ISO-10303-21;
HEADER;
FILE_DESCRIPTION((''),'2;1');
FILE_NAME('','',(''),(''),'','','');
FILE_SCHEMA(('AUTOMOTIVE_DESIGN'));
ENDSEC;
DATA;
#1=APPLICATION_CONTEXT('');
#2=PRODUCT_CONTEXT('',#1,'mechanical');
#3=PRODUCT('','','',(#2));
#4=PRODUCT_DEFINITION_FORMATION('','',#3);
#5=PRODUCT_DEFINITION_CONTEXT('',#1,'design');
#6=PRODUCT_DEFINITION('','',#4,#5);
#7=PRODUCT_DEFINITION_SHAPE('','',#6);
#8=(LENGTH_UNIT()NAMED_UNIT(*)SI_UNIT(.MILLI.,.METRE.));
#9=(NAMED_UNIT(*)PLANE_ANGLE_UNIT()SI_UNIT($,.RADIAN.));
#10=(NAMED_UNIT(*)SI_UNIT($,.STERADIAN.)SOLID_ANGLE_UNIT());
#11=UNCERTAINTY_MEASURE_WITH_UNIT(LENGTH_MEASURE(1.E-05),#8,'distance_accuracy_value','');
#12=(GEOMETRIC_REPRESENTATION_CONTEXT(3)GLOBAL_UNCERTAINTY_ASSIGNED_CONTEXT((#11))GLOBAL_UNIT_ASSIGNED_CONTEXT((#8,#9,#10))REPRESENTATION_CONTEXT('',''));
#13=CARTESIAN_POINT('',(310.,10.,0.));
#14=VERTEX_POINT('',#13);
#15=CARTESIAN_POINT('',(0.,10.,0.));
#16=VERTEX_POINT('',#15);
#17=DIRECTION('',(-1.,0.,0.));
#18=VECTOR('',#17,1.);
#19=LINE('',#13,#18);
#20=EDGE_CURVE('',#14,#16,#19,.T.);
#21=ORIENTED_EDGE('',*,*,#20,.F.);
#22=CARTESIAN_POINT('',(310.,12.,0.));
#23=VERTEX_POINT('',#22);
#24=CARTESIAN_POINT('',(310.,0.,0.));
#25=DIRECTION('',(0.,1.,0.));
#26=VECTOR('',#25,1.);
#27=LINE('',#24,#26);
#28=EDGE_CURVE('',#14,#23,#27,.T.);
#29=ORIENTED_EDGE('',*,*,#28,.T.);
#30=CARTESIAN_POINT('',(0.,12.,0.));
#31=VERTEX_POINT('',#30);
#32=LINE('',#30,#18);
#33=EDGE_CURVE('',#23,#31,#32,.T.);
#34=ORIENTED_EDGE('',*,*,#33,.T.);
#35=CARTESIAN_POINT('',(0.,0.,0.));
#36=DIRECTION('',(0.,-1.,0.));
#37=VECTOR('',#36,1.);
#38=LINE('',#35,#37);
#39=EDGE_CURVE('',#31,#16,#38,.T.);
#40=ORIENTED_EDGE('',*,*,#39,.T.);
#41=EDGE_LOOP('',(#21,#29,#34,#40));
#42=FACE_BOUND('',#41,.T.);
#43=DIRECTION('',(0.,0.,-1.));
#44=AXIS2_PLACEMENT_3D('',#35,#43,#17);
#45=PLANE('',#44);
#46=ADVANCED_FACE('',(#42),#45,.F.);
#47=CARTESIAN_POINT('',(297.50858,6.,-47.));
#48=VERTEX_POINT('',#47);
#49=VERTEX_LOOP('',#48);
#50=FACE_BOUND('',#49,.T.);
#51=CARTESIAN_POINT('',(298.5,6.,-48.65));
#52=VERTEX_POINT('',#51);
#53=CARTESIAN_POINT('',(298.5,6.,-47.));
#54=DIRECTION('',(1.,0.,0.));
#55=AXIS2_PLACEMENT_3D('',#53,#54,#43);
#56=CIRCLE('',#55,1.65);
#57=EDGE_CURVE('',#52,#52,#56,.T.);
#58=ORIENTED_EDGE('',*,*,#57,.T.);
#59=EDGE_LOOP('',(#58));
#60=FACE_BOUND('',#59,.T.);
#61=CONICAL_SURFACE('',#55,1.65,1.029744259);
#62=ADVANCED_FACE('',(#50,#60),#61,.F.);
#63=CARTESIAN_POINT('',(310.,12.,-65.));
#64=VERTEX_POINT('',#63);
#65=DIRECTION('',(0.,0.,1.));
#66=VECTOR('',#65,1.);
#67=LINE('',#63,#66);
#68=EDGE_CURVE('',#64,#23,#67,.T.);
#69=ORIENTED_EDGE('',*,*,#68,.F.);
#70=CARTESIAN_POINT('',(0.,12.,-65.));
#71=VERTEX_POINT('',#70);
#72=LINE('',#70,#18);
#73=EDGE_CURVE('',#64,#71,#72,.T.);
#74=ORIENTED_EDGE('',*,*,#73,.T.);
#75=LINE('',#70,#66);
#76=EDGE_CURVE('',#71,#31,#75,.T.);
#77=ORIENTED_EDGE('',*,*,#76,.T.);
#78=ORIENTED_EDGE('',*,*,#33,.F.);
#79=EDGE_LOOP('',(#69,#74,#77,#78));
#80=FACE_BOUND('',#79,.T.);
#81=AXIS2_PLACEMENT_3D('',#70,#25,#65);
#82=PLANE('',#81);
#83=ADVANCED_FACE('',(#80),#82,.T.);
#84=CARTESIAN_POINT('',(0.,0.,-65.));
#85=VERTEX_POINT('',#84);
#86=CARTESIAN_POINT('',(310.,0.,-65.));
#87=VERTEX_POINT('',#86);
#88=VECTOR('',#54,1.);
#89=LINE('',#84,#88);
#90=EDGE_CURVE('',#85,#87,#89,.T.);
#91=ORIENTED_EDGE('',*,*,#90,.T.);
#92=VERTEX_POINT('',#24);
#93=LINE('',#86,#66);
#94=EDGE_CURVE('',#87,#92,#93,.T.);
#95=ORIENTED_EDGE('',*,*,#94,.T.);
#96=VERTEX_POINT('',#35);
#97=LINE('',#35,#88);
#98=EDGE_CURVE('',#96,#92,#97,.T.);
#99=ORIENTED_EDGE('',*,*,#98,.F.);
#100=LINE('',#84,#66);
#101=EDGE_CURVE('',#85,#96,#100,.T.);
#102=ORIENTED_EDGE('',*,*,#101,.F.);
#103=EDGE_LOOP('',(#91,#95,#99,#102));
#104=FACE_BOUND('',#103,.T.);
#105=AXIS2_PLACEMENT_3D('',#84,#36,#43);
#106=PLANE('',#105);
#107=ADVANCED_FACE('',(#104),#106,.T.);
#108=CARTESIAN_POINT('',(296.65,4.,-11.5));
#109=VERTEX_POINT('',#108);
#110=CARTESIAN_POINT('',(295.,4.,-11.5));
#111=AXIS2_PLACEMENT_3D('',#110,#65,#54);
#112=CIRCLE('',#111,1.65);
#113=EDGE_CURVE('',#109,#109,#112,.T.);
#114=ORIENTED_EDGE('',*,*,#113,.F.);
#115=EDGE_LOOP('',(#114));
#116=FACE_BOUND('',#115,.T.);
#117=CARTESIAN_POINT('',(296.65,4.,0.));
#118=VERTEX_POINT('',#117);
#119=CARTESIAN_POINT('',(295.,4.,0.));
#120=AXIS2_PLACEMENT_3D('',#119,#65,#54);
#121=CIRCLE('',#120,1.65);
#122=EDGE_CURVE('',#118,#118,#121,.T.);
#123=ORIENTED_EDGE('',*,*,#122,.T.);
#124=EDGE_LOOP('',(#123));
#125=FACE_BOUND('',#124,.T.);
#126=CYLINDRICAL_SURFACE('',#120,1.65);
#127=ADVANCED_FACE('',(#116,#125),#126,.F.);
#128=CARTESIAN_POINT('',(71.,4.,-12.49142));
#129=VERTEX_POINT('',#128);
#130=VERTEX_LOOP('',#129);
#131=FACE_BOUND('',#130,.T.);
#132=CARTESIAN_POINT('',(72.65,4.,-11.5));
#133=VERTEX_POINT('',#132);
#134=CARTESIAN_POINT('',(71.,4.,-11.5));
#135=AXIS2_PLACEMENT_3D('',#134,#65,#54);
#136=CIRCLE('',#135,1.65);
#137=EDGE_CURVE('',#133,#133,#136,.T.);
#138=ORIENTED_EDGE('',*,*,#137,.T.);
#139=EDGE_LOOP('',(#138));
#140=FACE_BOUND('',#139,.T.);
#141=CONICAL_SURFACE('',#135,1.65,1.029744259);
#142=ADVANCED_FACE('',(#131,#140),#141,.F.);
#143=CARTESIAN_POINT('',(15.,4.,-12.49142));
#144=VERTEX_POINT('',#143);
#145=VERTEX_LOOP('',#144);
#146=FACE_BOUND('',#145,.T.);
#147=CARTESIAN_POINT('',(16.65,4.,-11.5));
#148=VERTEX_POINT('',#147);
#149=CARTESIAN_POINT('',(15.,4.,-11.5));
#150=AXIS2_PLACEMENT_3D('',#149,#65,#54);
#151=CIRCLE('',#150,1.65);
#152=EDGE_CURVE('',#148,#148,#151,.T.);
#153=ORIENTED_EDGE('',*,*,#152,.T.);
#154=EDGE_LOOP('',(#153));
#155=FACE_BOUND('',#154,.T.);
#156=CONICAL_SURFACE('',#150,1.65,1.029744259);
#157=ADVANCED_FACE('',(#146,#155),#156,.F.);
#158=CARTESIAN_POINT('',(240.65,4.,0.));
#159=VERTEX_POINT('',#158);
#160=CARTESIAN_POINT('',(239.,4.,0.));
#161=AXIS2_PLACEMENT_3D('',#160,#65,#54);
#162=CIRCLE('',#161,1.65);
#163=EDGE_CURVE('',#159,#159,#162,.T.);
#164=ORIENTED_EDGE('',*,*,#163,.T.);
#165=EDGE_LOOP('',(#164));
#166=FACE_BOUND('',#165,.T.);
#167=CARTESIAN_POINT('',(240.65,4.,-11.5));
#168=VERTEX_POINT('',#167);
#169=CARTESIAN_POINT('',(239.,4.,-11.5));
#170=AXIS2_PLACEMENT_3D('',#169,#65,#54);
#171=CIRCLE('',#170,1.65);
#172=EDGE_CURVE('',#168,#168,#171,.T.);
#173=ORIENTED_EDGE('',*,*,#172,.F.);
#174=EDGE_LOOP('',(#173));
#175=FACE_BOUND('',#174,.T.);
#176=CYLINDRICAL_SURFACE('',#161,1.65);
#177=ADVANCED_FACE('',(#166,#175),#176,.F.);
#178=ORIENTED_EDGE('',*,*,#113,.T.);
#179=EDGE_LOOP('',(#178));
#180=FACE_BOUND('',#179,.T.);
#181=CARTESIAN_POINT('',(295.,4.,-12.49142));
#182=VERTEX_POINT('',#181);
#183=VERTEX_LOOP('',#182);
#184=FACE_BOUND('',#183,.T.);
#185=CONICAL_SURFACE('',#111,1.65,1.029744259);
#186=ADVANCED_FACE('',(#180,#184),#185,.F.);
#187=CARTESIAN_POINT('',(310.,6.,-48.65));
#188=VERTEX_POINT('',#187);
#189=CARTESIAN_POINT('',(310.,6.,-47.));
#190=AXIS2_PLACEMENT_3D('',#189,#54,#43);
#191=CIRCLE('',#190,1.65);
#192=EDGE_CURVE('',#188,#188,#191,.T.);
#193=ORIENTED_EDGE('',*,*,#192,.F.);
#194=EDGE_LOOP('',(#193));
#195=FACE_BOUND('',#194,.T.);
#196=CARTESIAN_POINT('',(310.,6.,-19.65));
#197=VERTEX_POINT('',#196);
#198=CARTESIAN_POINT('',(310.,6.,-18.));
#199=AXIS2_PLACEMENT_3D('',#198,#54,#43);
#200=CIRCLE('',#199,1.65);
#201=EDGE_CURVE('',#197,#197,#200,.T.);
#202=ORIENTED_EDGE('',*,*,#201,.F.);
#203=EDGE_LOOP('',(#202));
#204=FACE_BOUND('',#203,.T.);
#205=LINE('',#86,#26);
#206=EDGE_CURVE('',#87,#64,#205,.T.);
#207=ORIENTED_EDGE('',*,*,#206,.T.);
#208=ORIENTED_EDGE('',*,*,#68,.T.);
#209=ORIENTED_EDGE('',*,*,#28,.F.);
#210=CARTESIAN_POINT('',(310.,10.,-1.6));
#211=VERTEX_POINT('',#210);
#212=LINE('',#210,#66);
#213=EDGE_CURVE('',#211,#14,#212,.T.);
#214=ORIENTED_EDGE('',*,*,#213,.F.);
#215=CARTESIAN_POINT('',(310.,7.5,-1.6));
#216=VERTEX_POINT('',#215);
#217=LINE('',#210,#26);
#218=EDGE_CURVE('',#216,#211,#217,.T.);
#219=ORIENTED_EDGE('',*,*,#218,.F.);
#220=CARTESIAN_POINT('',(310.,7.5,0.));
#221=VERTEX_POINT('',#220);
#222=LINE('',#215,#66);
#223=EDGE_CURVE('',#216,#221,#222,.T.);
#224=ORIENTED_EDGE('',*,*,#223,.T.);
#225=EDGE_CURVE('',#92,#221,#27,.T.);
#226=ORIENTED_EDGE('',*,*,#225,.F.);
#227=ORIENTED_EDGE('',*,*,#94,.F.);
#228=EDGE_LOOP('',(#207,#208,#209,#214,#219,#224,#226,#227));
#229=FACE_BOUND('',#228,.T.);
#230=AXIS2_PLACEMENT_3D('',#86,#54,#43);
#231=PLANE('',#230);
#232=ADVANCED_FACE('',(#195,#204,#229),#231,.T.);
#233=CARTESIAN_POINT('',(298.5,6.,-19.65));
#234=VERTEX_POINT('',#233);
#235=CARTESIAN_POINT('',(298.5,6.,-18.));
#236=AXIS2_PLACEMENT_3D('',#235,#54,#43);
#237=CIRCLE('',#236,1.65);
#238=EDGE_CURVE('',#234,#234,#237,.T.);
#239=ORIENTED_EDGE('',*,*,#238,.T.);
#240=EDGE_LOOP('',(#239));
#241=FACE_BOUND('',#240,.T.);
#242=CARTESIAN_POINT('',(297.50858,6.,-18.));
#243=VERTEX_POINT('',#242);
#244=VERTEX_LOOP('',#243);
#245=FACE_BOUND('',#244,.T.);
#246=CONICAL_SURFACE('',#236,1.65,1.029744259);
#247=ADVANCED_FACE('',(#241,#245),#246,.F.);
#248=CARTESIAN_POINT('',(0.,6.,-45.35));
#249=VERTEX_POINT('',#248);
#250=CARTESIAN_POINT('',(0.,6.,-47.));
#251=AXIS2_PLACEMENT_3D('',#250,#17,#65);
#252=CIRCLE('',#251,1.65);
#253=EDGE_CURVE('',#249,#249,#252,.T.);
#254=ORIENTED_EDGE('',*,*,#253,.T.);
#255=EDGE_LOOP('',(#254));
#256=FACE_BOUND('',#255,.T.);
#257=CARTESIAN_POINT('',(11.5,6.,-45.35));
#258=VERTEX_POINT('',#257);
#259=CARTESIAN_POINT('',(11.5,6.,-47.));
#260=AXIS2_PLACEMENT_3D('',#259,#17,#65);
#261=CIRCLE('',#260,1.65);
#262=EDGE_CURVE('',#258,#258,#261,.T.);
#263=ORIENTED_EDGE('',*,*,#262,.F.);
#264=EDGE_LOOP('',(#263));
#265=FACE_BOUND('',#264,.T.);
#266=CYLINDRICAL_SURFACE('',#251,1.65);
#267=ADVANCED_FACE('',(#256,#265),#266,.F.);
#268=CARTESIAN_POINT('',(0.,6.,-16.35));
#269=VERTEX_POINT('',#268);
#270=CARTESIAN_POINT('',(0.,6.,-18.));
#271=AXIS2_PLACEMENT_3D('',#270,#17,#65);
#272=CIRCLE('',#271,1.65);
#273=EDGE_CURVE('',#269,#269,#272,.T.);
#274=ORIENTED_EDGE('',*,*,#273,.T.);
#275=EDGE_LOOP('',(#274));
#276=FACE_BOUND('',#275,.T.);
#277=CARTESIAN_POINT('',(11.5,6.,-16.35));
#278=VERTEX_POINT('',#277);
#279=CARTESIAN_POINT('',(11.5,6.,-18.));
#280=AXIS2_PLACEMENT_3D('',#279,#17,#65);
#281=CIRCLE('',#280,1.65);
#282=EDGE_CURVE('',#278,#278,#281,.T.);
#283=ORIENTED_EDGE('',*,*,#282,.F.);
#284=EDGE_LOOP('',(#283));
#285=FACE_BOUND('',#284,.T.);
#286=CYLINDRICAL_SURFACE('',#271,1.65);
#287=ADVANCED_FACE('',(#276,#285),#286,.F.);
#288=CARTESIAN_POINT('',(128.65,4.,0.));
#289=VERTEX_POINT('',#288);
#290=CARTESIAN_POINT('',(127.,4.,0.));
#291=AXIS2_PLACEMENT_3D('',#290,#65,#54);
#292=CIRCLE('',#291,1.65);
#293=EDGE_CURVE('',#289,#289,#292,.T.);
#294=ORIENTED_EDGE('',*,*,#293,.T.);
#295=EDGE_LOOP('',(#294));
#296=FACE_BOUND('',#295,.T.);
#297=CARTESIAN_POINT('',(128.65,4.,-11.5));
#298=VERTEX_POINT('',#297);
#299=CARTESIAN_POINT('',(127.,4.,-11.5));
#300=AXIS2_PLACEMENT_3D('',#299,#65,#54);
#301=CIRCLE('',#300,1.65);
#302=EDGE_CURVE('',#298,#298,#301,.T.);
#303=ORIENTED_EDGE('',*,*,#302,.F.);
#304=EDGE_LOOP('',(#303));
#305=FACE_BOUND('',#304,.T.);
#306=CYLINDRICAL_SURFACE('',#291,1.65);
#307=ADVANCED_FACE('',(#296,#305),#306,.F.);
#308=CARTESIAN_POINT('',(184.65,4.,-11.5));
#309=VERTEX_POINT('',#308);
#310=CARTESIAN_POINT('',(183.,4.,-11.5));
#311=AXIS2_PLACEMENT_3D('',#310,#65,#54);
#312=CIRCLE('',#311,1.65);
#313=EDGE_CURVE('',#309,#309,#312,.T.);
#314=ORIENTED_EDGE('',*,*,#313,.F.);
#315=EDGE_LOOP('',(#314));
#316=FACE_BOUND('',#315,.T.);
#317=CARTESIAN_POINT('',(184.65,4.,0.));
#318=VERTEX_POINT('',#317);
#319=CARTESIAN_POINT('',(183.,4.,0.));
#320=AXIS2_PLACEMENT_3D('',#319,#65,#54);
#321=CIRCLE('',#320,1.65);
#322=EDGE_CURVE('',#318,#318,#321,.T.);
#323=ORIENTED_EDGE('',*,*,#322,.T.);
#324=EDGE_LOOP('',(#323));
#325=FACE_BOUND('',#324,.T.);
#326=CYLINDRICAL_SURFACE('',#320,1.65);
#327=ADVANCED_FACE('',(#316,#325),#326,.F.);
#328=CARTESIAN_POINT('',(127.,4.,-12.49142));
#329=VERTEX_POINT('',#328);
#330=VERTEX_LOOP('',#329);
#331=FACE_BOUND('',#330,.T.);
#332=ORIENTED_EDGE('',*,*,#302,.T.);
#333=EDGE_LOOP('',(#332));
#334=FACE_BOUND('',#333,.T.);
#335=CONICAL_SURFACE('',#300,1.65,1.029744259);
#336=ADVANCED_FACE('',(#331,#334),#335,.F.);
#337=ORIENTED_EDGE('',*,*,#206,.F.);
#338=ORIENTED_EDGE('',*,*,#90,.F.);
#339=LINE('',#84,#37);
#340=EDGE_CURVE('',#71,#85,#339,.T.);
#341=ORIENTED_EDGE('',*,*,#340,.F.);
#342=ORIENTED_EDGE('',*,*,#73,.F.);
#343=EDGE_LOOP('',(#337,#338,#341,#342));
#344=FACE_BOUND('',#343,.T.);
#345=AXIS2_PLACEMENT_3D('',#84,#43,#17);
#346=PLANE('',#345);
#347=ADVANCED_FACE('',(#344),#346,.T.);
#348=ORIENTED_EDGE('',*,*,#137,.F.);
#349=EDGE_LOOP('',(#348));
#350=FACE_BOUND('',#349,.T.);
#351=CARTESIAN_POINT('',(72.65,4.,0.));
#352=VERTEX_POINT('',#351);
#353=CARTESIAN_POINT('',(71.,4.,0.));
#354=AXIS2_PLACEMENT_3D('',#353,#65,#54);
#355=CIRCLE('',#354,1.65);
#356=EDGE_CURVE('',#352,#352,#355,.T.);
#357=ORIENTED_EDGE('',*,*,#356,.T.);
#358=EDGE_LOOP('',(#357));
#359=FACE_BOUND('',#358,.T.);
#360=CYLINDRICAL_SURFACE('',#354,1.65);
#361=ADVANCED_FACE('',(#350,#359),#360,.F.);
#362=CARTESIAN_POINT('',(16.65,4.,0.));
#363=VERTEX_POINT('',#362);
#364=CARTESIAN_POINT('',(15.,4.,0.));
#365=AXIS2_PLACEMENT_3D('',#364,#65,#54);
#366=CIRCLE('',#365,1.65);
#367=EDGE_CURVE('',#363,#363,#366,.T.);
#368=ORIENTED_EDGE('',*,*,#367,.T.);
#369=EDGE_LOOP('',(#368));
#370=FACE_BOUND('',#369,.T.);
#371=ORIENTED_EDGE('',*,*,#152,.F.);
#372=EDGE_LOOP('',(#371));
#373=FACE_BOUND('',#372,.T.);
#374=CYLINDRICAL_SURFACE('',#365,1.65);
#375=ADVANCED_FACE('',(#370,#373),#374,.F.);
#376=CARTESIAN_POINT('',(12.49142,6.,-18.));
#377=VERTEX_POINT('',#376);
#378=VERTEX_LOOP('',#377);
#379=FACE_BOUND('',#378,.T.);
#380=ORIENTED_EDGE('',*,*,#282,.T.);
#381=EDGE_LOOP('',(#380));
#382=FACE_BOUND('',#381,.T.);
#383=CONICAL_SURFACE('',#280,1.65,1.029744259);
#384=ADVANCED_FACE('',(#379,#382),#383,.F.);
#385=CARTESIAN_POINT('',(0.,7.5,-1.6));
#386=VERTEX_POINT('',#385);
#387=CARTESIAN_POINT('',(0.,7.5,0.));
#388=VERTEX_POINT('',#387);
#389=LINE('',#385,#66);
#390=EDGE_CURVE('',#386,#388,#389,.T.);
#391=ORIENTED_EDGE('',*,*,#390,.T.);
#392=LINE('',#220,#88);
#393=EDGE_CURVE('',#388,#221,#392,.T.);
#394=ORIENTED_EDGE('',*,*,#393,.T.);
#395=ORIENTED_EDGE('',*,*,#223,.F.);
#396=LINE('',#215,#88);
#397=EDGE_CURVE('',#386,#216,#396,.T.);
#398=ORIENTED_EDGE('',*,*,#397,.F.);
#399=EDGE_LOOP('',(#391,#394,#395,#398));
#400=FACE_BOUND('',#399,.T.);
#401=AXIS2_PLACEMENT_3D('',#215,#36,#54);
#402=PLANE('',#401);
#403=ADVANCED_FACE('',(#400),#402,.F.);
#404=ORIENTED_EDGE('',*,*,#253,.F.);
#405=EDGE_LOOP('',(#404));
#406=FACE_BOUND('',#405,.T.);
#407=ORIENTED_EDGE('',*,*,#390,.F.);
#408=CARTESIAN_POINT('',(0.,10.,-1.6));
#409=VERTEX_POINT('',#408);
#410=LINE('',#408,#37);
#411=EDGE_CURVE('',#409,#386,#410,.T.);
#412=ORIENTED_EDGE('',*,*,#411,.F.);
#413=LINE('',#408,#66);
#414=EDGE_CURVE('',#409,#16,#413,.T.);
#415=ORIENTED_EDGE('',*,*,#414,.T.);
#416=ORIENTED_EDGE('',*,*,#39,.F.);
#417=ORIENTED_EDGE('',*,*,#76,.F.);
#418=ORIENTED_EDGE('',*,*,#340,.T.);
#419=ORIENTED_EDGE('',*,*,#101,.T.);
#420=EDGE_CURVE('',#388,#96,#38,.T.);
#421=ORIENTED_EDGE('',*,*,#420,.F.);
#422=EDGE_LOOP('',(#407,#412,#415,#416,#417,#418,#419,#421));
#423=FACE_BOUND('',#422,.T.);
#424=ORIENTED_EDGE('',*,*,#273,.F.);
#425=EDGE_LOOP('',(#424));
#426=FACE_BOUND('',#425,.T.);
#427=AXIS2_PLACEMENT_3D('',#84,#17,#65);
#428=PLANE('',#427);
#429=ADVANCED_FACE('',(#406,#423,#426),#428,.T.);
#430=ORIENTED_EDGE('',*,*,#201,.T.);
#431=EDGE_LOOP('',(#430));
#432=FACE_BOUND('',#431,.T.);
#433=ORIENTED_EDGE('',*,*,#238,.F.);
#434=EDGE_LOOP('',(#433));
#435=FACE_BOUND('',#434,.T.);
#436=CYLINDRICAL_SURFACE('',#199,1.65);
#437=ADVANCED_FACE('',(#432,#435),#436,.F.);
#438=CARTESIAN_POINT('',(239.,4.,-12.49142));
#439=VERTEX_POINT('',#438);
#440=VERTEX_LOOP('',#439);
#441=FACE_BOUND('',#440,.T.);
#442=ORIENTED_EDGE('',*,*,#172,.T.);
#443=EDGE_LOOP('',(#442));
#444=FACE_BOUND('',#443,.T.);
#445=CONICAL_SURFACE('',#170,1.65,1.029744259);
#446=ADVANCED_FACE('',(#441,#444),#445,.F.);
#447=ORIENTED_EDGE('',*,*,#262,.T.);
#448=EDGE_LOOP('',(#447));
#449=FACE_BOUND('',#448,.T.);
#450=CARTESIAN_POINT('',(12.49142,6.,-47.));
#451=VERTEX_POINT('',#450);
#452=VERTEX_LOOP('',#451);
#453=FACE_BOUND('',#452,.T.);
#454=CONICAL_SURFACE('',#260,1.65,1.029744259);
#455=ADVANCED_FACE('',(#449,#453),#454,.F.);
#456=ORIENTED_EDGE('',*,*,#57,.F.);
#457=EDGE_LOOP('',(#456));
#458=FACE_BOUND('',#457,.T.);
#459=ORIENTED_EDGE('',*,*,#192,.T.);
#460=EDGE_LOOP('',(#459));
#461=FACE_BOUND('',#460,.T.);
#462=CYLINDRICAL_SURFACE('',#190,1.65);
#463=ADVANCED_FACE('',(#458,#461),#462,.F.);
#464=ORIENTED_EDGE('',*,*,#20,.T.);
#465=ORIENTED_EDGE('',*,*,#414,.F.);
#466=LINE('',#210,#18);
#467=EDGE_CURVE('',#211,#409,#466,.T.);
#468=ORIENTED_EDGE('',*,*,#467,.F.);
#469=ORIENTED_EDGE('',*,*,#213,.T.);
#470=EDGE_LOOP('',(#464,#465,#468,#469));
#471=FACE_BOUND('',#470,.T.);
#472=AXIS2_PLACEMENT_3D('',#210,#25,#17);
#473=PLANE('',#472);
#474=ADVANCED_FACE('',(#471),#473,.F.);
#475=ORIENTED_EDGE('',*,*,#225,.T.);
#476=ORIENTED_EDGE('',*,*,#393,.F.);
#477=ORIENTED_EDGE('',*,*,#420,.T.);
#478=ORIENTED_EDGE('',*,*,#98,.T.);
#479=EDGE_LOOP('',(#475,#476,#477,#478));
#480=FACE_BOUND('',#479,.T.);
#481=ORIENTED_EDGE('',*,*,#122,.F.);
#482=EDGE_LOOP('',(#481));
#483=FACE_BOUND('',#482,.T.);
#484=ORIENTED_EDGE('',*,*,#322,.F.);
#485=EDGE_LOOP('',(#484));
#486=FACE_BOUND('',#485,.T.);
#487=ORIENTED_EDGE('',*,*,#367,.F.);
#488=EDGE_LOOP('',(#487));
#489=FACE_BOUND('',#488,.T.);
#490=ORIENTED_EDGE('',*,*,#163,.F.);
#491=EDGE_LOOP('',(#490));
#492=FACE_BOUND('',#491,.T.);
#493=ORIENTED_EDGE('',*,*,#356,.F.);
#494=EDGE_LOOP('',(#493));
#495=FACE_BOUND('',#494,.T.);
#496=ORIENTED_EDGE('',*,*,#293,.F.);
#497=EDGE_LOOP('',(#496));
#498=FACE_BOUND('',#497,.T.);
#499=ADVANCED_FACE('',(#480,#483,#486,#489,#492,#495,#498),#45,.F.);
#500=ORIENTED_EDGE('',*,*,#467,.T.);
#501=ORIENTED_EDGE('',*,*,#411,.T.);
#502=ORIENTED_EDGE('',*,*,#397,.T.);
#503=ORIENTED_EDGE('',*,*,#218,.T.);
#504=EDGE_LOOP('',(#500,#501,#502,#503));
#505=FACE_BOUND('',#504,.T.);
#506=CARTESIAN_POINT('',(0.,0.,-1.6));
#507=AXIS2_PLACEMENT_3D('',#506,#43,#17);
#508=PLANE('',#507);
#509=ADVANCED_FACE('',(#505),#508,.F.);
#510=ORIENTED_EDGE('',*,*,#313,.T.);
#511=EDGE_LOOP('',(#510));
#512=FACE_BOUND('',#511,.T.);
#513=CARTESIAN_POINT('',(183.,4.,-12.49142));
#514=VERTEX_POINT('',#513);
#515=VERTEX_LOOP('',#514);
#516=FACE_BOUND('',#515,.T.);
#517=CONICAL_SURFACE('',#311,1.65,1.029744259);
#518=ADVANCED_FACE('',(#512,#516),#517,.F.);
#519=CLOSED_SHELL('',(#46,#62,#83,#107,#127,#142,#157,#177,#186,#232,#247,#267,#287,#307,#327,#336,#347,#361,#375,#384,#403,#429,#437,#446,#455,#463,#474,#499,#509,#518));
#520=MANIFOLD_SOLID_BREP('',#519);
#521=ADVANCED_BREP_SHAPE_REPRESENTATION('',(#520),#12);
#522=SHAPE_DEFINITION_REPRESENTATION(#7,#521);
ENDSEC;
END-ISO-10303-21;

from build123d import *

# Parameters (mm, degrees)
SKIZZE1_W                       = 310
SKIZZE1_H                       = 12
AUFSATZ_LINEAR_AUSTRAGEN1_DEPTH = 65
SKIZZE2_W                       = 310
SKIZZE2_H                       = 2.5
SCHNITT_LINEAR_AUSTRAGEN1_DEPTH = 1.6
M4_GEWINDEBOHRUNG1_D            = 3.3
M4_GEWINDEBOHRUNG1_DEPTH        = 11.5
M4_GEWINDEBOHRUNG1_TIP          = 0.991420021
M4_GEWINDEBOHRUNG2_AT_2_COUNT   = 2
M4_GEWINDEBOHRUNG2_AT_2_PITCH   = 29


with BuildPart() as part:
    # Skizze1 → Aufsatz-Linear austragen1 (new body)
    with BuildSketch(Plane.XY):
        with Locations((155, 6)):
            Rectangle(SKIZZE1_W, SKIZZE1_H)
    extrude(amount=-AUFSATZ_LINEAR_AUSTRAGEN1_DEPTH)

    # Skizze2 → Schnitt-Linear austragen1 (cut)
    with BuildSketch(Plane.XY):
        with Locations((155, 8.75)):
            Rectangle(SKIZZE2_W, SKIZZE2_H)
    extrude(amount=-SCHNITT_LINEAR_AUSTRAGEN1_DEPTH, mode=Mode.SUBTRACT)

    # M4 Gewindebohrung1
    with Locations(Plane(origin=(295, 4, 0), x_dir=(1, 0, 0), z_dir=(0, 0, 1))):
        with Locations((0, 0), (-280, 0), (-224, 0), (-168, 0), (-112, 0), (-56, 0)):
            Hole(M4_GEWINDEBOHRUNG1_D / 2, depth=M4_GEWINDEBOHRUNG1_DEPTH)
            with Locations((0, 0, -(M4_GEWINDEBOHRUNG1_DEPTH + M4_GEWINDEBOHRUNG1_TIP / 2))):  # 118° drill point
                Cone(0, M4_GEWINDEBOHRUNG1_D / 2, M4_GEWINDEBOHRUNG1_TIP, mode=Mode.SUBTRACT)

    # Skizze4 → M4 Gewindebohrung2 (revolve, cut)
    with BuildSketch(Plane(origin=(0, 6, -18), x_dir=(0, 0, 1), z_dir=(0, 1, 0))):
        Polygon((0, 0), (0, 12.491420021), (1.65, 11.5), (1.65, 0), align=None)
    m4_gewindebohrung2 = revolve(axis=Axis((-6.35, 6, -18), (1, 0, 0)), mode=Mode.SUBTRACT)

    # M4 Gewindebohrung2 at 2: M4 Gewindebohrung2 ×2
    with Locations(*[(0, 0, -i * M4_GEWINDEBOHRUNG2_AT_2_PITCH) for i in range(1, M4_GEWINDEBOHRUNG2_AT_2_COUNT)]):
        add(m4_gewindebohrung2, mode=Mode.SUBTRACT)

    # Spiegeln2: M4 Gewindebohrung2 across plane
    add(m4_gewindebohrung2.mirror(Plane(origin=(155, 0, 0), x_dir=(0, 0, 1), z_dir=(1, 0, 0))), mode=Mode.SUBTRACT)

    # Spiegeln2 copy 1 sketch → Spiegeln2 copy 1 (revolve, cut)
    with BuildSketch(Plane(origin=(310, 6, -47), x_dir=(0, 0, 1), z_dir=(0, 1, 0))):
        Polygon((0, 0), (0, -12.491420021), (1.65, -11.5), (1.65, 0), align=None)
    revolve(axis=Axis((316.35, 6, -47), (1, 0, 0)), mode=Mode.SUBTRACT)


solid = part.part
